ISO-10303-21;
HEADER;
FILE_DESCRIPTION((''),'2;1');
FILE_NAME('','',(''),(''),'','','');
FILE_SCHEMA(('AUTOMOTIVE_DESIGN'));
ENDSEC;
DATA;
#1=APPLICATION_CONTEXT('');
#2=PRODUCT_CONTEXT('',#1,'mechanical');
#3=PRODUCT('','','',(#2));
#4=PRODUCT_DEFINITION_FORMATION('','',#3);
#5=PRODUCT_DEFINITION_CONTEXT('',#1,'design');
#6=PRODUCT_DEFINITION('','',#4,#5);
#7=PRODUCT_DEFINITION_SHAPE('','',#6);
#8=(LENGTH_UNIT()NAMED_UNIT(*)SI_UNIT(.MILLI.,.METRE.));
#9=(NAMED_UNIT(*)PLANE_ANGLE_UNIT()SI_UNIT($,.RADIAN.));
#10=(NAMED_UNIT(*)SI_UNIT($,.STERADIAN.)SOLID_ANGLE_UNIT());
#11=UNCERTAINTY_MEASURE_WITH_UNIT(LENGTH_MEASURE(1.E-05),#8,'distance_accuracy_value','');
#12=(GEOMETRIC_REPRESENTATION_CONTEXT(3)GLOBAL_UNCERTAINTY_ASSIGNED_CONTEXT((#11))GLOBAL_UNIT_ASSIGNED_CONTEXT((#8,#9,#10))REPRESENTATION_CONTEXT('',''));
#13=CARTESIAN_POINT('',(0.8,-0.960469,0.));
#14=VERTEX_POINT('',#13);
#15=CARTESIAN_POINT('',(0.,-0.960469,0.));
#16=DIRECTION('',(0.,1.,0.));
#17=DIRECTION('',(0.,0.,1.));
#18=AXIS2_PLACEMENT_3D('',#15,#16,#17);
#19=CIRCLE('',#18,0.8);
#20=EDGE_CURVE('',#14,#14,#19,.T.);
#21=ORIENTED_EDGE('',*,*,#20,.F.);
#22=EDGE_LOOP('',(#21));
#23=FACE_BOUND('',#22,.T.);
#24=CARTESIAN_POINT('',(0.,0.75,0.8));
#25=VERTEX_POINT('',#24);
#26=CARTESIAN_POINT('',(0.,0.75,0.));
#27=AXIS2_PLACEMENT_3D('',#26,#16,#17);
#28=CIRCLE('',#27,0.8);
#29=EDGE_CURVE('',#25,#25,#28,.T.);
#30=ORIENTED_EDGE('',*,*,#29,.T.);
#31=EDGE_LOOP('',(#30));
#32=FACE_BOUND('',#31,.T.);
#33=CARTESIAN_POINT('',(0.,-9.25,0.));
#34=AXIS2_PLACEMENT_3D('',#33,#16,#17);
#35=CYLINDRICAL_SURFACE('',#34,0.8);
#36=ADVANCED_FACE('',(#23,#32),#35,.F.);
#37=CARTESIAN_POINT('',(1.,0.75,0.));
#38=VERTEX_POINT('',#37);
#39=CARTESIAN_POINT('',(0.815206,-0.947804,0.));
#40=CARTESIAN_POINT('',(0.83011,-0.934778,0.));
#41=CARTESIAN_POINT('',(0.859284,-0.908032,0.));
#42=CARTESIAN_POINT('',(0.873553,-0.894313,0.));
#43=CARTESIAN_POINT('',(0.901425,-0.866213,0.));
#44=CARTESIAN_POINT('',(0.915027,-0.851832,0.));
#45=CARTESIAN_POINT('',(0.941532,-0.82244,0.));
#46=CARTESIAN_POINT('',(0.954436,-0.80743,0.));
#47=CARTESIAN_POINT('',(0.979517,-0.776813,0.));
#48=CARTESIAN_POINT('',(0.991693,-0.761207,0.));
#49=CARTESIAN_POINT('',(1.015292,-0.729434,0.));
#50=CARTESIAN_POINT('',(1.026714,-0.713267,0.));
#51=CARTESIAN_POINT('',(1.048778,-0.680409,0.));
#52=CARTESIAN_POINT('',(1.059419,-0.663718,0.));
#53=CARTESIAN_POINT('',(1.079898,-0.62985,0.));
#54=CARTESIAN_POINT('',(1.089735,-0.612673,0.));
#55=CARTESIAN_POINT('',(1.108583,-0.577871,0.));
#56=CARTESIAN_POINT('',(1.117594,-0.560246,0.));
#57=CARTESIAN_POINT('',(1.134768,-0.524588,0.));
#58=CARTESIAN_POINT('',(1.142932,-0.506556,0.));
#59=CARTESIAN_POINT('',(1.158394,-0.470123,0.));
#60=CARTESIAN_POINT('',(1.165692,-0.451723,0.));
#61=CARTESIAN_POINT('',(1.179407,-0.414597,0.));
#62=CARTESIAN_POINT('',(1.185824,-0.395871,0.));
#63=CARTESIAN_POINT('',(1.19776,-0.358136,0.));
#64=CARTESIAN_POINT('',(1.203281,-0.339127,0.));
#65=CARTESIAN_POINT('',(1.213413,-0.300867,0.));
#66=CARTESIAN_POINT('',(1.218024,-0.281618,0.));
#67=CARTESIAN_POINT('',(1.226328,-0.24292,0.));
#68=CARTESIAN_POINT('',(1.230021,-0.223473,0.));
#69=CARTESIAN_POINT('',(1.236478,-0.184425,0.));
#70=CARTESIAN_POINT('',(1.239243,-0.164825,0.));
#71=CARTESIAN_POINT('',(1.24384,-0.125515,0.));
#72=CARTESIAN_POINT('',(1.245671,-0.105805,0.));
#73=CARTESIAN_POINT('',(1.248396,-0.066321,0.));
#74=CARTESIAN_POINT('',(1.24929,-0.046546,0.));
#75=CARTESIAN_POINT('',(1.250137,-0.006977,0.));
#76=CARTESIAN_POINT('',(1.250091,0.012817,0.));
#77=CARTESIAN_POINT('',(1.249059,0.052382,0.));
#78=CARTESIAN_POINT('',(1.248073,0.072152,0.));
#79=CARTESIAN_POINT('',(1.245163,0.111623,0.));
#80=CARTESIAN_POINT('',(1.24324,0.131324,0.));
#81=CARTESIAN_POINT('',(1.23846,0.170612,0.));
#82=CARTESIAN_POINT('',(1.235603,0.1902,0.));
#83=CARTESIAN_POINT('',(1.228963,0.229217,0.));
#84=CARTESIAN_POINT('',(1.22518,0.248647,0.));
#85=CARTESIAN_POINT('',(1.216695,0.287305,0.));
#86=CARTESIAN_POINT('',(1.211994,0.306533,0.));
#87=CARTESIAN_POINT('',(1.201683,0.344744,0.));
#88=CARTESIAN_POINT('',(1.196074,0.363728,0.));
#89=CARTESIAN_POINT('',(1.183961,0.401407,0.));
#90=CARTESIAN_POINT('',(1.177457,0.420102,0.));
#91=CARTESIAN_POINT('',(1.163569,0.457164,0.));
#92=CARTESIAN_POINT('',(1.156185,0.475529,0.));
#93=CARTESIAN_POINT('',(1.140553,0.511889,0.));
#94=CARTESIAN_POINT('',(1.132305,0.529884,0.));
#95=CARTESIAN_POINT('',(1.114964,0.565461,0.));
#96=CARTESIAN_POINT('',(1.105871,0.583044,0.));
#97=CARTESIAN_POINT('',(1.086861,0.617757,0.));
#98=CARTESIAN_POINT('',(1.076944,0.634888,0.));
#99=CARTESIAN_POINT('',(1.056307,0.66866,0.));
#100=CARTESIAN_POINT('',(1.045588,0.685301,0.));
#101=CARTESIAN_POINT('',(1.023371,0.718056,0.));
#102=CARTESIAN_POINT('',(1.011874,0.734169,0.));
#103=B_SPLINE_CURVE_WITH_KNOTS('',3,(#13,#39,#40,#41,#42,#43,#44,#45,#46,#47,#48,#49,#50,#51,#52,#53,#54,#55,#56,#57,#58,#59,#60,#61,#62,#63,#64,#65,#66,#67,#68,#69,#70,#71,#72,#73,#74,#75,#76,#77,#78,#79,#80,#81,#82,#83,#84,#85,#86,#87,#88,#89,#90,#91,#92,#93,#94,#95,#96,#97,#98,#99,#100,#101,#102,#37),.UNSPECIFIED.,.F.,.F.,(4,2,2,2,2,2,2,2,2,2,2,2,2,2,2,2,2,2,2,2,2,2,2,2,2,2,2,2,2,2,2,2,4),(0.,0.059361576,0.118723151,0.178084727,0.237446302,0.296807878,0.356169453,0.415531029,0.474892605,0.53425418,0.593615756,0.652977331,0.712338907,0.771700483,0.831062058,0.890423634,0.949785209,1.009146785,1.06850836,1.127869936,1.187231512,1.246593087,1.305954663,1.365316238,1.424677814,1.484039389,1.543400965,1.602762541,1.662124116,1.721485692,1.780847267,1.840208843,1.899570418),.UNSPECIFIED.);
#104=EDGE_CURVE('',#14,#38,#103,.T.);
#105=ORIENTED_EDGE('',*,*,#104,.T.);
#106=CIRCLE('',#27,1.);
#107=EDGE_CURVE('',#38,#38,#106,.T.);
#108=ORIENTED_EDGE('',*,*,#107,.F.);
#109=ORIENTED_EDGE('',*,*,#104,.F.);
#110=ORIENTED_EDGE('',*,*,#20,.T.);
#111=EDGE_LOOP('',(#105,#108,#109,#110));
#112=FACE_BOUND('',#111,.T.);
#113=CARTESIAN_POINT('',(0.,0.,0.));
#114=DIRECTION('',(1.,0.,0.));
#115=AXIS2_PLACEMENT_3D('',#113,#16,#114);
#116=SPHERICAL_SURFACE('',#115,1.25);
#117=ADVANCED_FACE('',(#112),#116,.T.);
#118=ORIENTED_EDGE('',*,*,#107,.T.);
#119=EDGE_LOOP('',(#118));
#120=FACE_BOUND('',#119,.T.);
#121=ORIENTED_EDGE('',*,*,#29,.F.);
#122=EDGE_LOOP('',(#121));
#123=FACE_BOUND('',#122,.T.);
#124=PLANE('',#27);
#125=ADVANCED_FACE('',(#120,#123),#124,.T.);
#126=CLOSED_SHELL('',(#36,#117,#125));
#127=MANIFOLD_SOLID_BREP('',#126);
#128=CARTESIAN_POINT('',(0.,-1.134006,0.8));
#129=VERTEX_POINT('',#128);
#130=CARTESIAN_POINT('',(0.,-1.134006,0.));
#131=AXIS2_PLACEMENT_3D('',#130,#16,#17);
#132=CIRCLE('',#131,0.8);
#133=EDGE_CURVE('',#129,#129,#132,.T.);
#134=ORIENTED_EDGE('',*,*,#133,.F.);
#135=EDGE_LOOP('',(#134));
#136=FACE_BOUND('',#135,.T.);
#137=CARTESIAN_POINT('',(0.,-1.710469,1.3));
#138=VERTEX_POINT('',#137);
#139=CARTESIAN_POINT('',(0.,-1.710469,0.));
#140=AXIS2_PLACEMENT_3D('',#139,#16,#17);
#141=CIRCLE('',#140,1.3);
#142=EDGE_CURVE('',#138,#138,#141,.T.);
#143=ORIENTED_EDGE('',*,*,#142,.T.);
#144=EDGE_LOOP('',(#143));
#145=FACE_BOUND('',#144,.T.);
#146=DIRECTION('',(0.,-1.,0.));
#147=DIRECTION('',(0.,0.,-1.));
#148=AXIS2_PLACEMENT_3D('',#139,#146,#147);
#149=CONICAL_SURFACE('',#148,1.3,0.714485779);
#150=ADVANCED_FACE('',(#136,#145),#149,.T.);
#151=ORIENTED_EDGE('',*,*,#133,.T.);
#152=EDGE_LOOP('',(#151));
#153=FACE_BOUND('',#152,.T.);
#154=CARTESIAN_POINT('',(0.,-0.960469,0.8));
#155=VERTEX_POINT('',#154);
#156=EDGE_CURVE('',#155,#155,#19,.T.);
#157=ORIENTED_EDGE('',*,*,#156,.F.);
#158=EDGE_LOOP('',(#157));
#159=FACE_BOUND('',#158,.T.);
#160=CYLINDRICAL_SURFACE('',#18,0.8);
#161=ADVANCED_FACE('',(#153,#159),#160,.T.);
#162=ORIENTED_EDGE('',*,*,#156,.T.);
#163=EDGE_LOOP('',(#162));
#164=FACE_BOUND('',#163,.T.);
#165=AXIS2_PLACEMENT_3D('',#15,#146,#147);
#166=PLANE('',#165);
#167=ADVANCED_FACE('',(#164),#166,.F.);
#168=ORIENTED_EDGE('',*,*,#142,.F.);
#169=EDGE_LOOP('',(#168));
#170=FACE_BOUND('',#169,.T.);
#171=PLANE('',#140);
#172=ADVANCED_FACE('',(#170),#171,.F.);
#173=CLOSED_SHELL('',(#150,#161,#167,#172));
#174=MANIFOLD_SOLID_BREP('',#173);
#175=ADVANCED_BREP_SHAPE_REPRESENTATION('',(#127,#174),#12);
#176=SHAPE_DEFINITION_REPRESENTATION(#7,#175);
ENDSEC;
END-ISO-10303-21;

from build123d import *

# Parameters (mm, degrees)
SKETCH_2_R          = 1.037641751
CUT_EXTRUDE_1_DEPTH = 10
SKETCH_3_R          = 0.8
CUT_EXTRUDE_2_DEPTH = 10


with BuildPart() as part:
    # 草图1 → 旋转1 (revolve)
    with BuildSketch(Plane.XY):
        with BuildLine():
            Line((0, 1.25), (0, -1.25))
            ThreePointArc((0, -1.25), (1.25, 0), (0, 1.25))
        make_face()
    revolve(axis=Axis((0, 1.25, 0), (0, -1, 0)))

    # 草图2 → 切除-拉伸1 (cut)
    with BuildSketch(Plane(origin=(0, 0.75, 0), x_dir=(1, 0, 0), z_dir=(0, 1, 0))):
        Circle(SKETCH_2_R)
    extrude(amount=CUT_EXTRUDE_1_DEPTH, mode=Mode.SUBTRACT)

    # 草图3 → 切除-拉伸2 (cut)
    with BuildSketch(Plane(origin=(0, 0.75, 0), x_dir=(1, 0, 0), z_dir=(0, 1, 0))):
        with Locations(Location((0, 0, 0), (0, 0, 270))):
            Circle(SKETCH_3_R)
    extrude(amount=-CUT_EXTRUDE_2_DEPTH, mode=Mode.SUBTRACT)


with BuildPart() as body_2:
    # 草图4 → 旋转3 (revolve)
    with BuildSketch(Plane(origin=(0, 0, 0), x_dir=(0, 0, -1), z_dir=(1, 0, 0)), mode=Mode.PRIVATE) as revolve_3_sk:
        Polygon((0, -0.960468636), (0, -1.710468636), (1.3, -1.710468636), (0.8, -1.134005887), (0.8, -0.960468636), align=None)
    revolve(revolve_3_sk.sketch.rotate(Axis((0, -0.960468636, 0), (0, -1, 0)), 180), axis=Axis((0, -0.960468636, 0), (0, -1, 0)))


solid = Compound([part.part, body_2.part])
